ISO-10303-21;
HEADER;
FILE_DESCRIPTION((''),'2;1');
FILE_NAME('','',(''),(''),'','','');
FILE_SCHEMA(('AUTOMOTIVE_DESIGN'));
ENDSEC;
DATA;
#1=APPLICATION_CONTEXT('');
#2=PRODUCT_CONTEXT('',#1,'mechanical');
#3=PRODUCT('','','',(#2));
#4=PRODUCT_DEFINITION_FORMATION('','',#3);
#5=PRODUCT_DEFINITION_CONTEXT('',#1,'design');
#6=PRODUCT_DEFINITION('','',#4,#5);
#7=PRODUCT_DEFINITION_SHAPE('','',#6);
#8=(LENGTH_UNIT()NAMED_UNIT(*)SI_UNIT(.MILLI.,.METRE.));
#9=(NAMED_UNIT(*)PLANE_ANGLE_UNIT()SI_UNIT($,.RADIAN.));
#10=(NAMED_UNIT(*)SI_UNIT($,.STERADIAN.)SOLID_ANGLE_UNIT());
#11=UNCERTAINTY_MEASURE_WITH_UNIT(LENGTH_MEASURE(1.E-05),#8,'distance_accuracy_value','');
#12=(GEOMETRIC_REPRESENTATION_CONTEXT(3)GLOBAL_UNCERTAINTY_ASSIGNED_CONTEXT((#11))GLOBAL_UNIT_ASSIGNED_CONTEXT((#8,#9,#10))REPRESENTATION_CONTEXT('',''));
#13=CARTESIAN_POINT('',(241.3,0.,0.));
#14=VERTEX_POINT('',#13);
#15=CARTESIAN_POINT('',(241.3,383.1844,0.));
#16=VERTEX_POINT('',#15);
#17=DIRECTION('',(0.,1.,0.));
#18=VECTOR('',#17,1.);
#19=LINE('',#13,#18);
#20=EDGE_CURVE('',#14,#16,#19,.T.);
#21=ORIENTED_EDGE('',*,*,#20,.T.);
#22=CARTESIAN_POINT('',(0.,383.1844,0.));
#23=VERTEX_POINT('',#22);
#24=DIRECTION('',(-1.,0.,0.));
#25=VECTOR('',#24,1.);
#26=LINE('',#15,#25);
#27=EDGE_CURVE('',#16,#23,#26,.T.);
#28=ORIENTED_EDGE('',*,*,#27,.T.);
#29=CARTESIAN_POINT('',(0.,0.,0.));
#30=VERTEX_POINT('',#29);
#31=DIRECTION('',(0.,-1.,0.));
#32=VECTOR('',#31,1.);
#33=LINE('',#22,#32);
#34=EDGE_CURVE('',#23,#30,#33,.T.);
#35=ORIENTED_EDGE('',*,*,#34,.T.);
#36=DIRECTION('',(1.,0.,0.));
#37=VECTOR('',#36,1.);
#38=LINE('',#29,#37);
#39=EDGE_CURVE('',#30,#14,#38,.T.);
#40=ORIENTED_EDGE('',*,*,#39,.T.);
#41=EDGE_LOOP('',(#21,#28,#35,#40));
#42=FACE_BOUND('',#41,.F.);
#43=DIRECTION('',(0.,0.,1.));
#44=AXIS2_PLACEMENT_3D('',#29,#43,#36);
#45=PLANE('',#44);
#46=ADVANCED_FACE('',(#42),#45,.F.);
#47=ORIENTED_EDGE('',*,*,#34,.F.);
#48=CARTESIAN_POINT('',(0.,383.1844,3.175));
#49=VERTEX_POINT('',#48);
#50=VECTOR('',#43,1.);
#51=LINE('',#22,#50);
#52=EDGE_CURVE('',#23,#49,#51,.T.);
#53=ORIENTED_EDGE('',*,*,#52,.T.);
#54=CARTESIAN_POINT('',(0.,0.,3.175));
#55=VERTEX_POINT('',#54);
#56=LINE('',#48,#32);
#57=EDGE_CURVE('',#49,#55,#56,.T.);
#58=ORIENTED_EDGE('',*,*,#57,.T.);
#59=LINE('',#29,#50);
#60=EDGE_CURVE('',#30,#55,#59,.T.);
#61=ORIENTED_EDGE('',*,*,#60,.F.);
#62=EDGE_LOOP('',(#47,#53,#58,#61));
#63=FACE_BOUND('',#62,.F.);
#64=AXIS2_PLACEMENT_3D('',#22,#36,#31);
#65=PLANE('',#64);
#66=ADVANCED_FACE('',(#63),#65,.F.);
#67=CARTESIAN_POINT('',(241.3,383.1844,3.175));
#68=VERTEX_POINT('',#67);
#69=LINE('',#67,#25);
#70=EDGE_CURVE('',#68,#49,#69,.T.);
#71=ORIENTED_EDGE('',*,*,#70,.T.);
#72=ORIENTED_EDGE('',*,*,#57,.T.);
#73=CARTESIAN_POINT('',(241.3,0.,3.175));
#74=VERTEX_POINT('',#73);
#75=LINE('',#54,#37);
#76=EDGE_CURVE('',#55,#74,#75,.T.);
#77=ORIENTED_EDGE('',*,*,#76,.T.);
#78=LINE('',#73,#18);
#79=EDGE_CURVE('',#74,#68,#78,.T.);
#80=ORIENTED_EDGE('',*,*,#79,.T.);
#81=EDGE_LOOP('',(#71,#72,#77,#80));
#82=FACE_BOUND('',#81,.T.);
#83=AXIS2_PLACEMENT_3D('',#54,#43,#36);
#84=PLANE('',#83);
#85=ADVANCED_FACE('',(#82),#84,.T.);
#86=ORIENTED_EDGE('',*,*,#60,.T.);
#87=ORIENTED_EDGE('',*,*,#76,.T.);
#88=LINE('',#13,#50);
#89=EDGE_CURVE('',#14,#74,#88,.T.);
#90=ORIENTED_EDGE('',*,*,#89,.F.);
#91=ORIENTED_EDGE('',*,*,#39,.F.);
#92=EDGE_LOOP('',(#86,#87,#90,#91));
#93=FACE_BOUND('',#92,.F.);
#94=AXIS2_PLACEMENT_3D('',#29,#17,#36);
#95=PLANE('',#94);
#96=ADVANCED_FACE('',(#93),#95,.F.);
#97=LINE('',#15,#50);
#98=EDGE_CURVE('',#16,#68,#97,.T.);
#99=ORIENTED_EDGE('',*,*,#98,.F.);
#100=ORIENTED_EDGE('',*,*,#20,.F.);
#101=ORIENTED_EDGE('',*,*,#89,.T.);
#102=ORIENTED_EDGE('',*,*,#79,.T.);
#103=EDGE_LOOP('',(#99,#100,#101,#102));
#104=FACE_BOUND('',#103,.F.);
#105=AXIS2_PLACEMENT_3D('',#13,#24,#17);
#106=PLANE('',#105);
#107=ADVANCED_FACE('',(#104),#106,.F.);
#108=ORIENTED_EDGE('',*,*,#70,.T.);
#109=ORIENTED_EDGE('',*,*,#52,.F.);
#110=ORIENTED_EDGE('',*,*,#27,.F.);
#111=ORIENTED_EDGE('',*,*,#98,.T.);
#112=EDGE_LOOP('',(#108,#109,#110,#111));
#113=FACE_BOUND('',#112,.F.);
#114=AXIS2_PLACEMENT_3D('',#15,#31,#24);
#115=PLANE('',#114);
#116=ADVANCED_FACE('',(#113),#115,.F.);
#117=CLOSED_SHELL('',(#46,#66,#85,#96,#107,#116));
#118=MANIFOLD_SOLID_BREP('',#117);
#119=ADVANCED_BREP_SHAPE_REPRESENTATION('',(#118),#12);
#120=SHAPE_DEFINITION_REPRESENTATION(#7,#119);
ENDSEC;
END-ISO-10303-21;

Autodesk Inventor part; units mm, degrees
ref_plane "YZ Plane" through (0, 0, 0) normal (1, 0, 0) x (0, 1, 0)
ref_plane "XZ Plane" through (0, 0, 0) normal (0, 1, 0) x (-1, 0, 0)
ref_plane "XY Plane" through (0, 0, 0) normal (0, 0, 1) x (1, 0, 0)
sketch "Sketch1" plane through (0, 0, 0) normal (0, 0, 1) x (1, 0, 0)
  line L0 (0, 0) -> (241.3, 0)
  line L1 (241.3, 0) -> (241.3, 383.1844)
  line L2 (241.3, 383.1844) -> (0, 383.1844)
  line L3 (0, 383.1844) -> (0, 0)
  dimension "d0" = 241.3
  dimension "d1" = 383.1844
extrude "Extrusion1" add sketch "Sketch1" along normal blind 3.175
properties part number "SidePlateFront"
